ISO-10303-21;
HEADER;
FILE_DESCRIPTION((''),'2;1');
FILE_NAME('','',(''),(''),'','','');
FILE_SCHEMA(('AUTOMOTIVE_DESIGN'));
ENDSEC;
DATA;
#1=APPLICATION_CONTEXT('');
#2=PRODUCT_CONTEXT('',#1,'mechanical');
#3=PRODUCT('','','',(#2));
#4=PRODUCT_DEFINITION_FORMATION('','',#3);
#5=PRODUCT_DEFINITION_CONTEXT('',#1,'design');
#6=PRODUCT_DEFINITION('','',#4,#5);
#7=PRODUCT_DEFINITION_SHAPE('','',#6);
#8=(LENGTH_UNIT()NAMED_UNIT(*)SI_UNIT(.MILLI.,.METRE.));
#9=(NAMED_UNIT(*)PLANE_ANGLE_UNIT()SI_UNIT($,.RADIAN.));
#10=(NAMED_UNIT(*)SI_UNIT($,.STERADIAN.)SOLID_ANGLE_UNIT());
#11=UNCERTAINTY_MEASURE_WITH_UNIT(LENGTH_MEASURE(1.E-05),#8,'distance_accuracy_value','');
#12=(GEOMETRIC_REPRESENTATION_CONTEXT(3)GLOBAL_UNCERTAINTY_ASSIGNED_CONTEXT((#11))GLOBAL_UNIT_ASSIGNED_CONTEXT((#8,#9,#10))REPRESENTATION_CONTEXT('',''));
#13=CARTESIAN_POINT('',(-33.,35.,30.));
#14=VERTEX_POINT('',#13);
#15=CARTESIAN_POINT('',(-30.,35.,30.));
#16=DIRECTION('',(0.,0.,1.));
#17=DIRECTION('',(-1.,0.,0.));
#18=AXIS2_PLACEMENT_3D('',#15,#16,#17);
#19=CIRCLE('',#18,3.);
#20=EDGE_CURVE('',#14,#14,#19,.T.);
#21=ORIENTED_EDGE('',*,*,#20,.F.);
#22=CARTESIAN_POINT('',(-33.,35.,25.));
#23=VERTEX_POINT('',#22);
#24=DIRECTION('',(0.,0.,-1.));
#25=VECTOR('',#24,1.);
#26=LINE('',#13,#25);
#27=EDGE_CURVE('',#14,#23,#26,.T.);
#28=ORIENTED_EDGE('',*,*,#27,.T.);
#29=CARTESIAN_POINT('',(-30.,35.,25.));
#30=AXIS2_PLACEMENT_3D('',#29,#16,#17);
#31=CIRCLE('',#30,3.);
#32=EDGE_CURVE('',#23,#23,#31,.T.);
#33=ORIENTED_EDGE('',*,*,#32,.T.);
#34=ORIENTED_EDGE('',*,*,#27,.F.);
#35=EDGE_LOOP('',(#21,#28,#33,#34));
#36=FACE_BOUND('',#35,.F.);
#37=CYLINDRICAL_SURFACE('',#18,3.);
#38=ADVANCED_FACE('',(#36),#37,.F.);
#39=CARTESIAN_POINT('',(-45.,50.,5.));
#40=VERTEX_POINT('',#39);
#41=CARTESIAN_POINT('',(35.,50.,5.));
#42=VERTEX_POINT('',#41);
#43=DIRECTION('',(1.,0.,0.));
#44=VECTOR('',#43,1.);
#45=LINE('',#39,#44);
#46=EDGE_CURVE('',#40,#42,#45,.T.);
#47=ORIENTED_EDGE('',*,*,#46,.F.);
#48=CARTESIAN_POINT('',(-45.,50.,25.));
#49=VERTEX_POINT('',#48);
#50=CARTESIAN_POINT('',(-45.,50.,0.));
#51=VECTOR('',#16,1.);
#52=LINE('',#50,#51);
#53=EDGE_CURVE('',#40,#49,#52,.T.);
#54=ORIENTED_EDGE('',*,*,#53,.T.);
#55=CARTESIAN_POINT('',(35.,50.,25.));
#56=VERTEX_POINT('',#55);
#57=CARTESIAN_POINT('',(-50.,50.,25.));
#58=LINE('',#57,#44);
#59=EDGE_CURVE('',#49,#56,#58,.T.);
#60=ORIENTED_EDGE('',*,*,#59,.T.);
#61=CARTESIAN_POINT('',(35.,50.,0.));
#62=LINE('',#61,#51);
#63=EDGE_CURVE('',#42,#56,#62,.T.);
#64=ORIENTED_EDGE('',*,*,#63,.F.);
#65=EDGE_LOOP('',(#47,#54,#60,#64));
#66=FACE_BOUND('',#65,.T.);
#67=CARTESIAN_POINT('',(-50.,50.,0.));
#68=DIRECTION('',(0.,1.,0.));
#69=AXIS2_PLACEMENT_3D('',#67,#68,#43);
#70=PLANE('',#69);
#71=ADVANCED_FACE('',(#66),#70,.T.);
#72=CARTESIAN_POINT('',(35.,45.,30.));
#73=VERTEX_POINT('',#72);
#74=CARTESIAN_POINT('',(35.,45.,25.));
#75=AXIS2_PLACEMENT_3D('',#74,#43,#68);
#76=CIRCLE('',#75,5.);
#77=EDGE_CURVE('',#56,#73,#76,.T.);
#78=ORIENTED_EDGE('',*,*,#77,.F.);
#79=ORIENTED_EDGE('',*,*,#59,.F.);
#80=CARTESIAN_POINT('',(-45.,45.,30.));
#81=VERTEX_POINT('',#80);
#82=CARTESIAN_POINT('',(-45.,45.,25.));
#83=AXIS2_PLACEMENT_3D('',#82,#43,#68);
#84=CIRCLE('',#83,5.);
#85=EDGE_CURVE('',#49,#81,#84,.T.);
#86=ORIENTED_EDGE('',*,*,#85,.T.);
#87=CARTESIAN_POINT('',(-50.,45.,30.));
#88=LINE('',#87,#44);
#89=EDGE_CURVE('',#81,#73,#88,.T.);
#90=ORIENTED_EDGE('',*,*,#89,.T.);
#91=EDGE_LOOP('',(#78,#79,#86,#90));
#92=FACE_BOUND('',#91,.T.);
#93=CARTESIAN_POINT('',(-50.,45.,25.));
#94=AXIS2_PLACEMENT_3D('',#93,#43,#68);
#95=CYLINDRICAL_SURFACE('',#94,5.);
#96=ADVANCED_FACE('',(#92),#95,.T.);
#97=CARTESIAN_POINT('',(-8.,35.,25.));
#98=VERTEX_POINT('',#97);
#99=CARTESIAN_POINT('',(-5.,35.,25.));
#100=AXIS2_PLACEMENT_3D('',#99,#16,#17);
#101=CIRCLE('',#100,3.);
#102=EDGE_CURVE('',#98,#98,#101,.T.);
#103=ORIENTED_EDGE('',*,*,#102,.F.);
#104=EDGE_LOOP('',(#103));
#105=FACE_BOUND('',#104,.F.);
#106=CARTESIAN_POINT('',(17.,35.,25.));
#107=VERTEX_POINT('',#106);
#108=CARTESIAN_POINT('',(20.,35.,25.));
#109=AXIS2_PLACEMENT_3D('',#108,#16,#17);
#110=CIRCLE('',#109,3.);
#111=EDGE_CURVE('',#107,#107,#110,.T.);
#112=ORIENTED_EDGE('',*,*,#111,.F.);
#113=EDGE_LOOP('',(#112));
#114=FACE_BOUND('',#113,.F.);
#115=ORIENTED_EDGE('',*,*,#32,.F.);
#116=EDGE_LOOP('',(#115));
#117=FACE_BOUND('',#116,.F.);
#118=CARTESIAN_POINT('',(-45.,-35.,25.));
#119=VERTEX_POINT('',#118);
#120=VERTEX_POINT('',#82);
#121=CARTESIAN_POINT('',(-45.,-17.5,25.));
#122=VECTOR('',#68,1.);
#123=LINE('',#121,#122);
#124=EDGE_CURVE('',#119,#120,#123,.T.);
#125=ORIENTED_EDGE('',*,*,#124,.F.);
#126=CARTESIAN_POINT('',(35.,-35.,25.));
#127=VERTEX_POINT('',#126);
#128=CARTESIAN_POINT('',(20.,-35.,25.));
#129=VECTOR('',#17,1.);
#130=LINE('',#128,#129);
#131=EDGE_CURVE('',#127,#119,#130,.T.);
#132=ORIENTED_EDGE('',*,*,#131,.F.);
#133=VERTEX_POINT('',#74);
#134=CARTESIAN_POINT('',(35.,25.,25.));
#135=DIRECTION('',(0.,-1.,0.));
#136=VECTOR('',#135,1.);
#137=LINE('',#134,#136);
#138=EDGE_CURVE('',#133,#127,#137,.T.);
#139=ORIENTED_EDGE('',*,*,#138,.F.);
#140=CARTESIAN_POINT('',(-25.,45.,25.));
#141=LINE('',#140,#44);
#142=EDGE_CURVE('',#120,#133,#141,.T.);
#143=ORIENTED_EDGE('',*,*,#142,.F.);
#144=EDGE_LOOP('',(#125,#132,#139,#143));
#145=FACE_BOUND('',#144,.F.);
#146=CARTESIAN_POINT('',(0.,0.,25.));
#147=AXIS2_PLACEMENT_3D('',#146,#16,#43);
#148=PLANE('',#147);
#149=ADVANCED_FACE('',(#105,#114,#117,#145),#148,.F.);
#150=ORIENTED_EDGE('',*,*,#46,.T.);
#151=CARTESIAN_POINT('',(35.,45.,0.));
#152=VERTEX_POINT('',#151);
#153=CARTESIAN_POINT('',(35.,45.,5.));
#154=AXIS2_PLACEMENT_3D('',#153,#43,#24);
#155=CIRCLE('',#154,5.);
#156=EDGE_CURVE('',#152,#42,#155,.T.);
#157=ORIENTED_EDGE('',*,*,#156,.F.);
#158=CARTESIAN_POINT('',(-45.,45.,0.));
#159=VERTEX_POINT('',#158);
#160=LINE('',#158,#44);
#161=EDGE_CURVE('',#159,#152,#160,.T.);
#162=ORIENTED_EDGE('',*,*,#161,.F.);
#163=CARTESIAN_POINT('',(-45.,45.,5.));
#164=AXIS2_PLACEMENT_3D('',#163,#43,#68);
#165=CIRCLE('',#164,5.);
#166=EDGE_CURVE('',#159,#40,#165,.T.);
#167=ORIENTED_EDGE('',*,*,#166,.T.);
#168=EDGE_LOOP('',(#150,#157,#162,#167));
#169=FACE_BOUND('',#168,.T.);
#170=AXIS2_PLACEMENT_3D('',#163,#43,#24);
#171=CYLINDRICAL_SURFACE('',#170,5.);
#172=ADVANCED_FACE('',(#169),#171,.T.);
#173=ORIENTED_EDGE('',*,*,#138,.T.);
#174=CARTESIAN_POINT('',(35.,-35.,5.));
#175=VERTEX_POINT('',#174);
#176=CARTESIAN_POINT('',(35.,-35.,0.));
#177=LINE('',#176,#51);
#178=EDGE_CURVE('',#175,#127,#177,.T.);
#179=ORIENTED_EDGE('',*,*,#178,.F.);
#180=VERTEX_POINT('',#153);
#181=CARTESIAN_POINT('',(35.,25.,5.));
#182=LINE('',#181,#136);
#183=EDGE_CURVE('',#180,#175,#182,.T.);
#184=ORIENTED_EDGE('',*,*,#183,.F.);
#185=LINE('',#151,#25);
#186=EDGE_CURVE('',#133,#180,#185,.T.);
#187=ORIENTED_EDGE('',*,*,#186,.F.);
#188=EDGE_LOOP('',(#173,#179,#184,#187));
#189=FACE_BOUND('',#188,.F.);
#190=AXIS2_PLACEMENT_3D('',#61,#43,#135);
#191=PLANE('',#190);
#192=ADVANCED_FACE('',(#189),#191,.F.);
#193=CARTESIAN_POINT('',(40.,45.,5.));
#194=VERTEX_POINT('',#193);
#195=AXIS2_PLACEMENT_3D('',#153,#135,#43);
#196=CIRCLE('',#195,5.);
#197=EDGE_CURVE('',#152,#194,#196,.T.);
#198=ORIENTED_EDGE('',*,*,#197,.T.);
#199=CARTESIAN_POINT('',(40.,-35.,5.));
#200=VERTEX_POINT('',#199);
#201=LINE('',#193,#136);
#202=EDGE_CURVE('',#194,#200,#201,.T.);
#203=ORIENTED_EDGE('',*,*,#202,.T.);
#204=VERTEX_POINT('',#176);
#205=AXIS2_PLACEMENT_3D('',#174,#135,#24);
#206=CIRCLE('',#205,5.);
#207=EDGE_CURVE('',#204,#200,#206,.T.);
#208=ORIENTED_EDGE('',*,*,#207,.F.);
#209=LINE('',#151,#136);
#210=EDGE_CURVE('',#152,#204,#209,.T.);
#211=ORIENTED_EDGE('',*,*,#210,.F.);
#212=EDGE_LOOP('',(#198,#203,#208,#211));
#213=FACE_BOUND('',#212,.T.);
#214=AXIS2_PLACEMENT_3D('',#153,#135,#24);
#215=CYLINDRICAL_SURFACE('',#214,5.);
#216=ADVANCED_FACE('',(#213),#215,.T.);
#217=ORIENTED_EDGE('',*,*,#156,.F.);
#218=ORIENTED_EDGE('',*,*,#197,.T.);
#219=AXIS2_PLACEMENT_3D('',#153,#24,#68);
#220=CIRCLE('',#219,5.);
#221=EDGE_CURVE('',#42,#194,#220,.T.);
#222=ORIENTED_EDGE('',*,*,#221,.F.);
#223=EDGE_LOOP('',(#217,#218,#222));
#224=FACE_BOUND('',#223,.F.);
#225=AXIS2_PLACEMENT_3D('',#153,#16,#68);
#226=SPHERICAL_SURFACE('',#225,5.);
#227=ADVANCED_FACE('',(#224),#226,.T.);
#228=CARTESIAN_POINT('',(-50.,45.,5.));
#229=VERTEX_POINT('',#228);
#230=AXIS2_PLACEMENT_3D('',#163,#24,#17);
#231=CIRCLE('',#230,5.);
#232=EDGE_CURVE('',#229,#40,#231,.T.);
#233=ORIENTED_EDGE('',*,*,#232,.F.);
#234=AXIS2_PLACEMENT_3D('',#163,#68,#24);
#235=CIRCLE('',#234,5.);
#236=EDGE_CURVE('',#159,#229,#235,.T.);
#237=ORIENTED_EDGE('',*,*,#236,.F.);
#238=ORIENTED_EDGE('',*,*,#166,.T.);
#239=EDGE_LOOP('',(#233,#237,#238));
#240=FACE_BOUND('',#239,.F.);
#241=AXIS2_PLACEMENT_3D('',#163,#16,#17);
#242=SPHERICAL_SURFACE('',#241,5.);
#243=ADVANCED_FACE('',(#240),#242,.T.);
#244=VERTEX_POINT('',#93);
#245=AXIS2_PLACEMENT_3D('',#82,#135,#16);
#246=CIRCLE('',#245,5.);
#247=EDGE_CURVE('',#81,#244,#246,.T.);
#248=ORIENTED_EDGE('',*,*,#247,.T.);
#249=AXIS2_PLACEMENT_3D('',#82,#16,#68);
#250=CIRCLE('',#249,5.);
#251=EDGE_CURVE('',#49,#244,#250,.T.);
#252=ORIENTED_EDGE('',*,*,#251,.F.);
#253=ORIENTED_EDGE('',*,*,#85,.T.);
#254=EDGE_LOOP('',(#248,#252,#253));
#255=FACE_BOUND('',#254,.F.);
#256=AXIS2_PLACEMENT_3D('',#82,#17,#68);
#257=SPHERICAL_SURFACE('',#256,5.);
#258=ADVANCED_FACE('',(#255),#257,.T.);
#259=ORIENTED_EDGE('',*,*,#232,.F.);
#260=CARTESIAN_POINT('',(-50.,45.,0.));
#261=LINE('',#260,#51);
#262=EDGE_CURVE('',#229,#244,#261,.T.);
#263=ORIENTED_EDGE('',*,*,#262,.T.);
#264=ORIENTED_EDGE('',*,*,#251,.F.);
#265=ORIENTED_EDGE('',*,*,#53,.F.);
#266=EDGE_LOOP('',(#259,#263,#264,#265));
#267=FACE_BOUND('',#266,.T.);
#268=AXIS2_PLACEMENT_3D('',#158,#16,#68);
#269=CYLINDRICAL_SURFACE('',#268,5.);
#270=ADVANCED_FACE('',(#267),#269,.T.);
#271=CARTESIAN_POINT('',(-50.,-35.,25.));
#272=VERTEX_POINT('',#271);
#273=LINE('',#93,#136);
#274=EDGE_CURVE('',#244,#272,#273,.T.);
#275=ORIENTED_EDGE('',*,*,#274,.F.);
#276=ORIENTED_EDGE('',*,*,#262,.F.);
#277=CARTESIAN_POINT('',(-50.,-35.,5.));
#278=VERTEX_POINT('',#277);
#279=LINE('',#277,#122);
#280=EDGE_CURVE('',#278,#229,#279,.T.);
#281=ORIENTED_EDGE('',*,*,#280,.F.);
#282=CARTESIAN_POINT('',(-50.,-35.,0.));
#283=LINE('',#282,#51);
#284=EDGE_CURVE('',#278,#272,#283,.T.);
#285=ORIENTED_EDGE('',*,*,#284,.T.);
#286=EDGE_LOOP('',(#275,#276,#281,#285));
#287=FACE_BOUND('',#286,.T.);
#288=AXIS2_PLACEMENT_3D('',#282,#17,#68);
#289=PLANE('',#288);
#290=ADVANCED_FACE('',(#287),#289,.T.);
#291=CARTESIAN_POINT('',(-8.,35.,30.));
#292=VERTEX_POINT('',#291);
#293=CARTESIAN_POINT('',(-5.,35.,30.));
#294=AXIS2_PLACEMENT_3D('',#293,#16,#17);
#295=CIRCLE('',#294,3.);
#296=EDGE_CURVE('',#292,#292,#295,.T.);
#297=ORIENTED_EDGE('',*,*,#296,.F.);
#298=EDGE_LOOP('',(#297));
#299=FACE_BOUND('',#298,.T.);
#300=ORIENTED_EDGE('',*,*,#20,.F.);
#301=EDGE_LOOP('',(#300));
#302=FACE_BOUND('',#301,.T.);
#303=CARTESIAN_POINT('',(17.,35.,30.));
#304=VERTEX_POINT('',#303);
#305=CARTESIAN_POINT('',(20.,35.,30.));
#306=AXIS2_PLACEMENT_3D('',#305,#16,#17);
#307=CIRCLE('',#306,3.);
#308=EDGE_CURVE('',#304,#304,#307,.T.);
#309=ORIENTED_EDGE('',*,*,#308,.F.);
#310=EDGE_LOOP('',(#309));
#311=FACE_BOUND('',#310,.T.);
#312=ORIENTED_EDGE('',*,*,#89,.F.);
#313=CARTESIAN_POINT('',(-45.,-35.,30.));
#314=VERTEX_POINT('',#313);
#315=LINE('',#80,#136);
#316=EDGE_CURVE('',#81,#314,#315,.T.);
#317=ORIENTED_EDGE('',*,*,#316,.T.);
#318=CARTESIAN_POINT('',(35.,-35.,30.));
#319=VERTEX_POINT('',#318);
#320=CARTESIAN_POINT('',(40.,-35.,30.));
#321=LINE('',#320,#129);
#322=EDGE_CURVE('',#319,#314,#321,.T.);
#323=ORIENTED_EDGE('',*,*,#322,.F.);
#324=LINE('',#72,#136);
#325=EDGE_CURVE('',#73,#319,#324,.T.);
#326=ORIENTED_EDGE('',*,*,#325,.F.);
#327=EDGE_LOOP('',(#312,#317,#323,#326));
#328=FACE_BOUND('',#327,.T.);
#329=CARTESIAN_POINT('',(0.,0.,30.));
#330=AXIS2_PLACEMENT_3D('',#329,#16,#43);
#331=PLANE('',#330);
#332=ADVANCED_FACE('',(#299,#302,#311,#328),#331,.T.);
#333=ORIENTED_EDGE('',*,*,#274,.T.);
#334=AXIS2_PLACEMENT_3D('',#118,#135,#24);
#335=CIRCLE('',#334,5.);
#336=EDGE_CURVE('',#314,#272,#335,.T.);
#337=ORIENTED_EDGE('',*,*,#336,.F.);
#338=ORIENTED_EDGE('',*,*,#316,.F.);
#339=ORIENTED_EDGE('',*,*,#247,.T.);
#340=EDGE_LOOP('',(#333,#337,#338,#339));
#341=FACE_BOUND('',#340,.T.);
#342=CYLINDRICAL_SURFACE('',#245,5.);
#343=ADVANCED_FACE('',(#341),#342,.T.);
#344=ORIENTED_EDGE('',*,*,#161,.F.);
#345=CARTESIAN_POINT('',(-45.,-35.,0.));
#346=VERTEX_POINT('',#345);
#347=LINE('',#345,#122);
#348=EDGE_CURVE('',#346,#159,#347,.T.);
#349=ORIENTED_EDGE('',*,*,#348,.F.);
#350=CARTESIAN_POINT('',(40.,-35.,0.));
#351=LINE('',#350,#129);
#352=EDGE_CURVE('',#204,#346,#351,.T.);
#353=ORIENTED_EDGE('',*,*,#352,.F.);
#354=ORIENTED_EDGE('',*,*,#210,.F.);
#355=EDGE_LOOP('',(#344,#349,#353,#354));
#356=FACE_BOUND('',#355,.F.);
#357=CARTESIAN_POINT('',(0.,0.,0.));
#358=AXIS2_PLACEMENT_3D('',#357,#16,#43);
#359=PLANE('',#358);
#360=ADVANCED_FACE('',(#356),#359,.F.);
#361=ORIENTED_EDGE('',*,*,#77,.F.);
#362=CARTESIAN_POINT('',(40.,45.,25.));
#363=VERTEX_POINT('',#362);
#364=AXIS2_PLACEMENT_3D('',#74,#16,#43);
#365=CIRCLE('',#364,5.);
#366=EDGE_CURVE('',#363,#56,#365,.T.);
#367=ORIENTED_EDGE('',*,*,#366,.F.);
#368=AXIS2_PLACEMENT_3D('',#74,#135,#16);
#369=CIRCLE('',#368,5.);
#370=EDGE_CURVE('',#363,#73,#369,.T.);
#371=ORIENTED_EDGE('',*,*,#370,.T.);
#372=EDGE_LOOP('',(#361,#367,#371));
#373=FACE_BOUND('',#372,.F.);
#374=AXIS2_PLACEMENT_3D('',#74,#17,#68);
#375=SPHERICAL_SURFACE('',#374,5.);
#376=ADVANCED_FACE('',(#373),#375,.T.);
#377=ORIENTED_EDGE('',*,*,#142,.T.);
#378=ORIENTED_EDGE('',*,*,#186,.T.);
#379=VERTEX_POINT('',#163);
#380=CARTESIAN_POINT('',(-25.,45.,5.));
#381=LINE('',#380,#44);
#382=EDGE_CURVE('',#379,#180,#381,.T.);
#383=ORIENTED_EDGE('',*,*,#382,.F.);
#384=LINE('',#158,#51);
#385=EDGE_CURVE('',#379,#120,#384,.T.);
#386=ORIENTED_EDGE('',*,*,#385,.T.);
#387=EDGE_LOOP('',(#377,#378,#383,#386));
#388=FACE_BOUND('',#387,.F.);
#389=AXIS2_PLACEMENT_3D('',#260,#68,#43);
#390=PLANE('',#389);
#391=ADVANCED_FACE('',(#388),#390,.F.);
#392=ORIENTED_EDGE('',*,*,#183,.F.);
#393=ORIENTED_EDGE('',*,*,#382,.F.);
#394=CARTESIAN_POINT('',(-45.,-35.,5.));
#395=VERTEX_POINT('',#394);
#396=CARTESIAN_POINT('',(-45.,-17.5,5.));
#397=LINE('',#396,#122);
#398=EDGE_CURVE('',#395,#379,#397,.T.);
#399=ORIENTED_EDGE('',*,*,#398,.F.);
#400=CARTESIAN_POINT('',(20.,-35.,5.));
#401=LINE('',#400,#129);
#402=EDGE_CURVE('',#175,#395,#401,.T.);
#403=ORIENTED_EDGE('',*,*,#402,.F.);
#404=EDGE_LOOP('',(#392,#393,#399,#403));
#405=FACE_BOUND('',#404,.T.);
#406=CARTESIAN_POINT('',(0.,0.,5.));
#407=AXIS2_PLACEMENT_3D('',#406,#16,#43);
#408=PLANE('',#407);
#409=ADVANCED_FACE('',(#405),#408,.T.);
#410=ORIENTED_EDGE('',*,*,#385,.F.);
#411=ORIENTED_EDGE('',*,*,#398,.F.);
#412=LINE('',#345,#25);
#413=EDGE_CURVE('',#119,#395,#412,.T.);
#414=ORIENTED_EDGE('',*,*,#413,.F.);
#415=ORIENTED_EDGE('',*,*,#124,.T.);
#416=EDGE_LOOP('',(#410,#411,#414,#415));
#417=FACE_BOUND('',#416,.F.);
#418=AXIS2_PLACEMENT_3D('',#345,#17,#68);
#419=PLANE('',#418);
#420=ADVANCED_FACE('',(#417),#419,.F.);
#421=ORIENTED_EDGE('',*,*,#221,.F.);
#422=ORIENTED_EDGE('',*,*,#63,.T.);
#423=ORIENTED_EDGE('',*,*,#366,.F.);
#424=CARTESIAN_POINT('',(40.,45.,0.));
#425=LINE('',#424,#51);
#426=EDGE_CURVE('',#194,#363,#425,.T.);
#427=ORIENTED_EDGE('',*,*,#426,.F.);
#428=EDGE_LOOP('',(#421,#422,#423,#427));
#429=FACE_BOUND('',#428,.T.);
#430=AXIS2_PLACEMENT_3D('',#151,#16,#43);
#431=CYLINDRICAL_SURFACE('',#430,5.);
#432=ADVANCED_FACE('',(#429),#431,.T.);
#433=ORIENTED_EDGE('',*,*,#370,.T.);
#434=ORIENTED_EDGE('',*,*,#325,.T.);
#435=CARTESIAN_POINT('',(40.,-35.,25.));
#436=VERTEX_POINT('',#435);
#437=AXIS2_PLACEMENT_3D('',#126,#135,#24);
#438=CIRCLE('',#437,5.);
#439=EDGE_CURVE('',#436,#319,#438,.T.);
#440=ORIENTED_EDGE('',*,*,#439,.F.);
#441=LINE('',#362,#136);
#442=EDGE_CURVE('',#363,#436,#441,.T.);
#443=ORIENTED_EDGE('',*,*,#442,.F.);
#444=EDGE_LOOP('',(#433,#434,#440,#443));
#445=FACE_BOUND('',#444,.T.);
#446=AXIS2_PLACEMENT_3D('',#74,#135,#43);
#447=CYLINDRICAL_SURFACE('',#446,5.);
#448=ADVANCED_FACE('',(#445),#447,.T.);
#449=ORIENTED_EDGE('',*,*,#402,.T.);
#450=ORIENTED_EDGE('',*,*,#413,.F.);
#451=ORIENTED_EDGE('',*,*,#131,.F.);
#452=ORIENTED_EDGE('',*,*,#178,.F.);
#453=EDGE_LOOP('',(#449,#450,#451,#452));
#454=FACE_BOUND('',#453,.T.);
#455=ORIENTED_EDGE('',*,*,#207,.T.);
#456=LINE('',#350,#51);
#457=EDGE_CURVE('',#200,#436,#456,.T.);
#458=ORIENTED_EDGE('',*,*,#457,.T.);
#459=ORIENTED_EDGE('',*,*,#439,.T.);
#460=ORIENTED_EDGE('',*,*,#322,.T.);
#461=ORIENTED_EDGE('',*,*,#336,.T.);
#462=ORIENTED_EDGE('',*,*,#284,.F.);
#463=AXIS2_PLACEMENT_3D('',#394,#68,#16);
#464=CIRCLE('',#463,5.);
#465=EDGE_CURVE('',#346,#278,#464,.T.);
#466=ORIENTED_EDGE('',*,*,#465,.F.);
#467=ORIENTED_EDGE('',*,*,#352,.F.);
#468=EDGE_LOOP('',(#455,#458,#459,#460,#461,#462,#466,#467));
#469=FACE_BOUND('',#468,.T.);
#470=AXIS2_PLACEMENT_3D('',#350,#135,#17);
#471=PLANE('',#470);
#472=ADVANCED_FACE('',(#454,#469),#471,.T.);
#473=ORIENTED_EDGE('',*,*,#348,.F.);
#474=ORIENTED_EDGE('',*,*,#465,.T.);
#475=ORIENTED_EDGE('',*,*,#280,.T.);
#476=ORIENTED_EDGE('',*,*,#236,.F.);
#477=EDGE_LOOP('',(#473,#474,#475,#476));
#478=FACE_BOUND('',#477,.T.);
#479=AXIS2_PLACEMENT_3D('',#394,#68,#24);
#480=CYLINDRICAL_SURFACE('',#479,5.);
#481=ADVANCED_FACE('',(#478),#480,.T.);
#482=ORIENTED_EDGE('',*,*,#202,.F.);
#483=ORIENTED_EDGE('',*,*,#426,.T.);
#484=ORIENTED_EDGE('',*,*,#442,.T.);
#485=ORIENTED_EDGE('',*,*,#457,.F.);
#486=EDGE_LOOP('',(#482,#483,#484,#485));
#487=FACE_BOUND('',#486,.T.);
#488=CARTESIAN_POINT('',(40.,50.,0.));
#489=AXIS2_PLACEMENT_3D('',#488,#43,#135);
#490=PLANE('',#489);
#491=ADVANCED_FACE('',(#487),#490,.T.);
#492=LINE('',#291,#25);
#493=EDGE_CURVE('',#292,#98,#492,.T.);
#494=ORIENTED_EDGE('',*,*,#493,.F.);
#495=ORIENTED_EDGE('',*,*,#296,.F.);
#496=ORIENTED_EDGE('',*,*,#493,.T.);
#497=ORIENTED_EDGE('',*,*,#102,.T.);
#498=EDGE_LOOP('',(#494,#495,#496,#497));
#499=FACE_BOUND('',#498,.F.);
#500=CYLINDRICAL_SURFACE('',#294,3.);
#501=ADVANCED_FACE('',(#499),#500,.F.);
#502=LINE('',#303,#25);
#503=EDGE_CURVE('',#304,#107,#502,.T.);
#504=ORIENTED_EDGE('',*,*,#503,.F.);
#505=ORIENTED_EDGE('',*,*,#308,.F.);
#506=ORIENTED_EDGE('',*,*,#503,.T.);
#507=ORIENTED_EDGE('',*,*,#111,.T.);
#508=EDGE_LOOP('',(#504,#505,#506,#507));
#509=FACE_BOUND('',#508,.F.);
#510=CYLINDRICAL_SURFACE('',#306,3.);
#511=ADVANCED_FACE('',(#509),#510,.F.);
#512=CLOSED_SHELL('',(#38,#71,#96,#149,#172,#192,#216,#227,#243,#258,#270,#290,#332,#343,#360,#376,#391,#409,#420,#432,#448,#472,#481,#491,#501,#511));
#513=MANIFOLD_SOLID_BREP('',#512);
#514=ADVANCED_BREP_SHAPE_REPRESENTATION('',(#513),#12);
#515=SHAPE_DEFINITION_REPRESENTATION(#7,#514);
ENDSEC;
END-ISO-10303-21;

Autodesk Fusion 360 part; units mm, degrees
sketch "Skizze1" plane through (0, 0, 0) normal (0, 0, 1) x (1, 0, 0)
  line L0 (-50, 50) -> (40, 50)
  line L1 (40, 50) -> (40, -35)
  line L2 (40, -35) -> (-50, -35)
  line L3 (-50, -35) -> (-50, 50)
  dimension "d1" = 90
  dimension "d2" = 85
extrude "Extrusion1" add sketch "Skizze1" along normal blind 30
shell "Schale1" thickness 5 removed faces 1 at (10, -35, 20)
fillet "Abrundung1" radius 5 1 edges at (-5, 50, 30)
fillet "Abrundung2" radius 5 3 edges at (40, 5, 30) (40, 48.5355, 28.5355) (40, 50, 12.5)
fillet "Abrundung3" radius 5 3 edges at (-50, 50, 12.5) (-50, 48.5355, 28.5355) (-50, 5, 30)
fillet "Abrundung4" radius 5 5 edges at (-50, 5, 0) (-48.5355, 48.5355, 0) (-5, 50, 0) (38.5355, 48.5355, 0) (40, 5, 0)
sketch "Skizze2" plane through (0, 0, 30) normal (0, 0, 1) x (-1, 0, 0)
  line L0 (45, -45) -> (45, 35)
  line L1 (45, 35) -> (-35, 35)
  line L2 (-35, 35) -> (-35, -45)
  line L3 (-35, -45) -> (45, -45)
  circle A0 centre (5, -35) radius 3
  circle A1 centre (30, -35) radius 3
  circle A2 centre (-20, -35) radius 3
extrude "Extrusion2" cut sketch "Skizze2" along normal mid plane 10 contours A1
extrude "Extrusion3" cut sketch "Skizze2" along normal mid plane 10 contours A0 | A2
